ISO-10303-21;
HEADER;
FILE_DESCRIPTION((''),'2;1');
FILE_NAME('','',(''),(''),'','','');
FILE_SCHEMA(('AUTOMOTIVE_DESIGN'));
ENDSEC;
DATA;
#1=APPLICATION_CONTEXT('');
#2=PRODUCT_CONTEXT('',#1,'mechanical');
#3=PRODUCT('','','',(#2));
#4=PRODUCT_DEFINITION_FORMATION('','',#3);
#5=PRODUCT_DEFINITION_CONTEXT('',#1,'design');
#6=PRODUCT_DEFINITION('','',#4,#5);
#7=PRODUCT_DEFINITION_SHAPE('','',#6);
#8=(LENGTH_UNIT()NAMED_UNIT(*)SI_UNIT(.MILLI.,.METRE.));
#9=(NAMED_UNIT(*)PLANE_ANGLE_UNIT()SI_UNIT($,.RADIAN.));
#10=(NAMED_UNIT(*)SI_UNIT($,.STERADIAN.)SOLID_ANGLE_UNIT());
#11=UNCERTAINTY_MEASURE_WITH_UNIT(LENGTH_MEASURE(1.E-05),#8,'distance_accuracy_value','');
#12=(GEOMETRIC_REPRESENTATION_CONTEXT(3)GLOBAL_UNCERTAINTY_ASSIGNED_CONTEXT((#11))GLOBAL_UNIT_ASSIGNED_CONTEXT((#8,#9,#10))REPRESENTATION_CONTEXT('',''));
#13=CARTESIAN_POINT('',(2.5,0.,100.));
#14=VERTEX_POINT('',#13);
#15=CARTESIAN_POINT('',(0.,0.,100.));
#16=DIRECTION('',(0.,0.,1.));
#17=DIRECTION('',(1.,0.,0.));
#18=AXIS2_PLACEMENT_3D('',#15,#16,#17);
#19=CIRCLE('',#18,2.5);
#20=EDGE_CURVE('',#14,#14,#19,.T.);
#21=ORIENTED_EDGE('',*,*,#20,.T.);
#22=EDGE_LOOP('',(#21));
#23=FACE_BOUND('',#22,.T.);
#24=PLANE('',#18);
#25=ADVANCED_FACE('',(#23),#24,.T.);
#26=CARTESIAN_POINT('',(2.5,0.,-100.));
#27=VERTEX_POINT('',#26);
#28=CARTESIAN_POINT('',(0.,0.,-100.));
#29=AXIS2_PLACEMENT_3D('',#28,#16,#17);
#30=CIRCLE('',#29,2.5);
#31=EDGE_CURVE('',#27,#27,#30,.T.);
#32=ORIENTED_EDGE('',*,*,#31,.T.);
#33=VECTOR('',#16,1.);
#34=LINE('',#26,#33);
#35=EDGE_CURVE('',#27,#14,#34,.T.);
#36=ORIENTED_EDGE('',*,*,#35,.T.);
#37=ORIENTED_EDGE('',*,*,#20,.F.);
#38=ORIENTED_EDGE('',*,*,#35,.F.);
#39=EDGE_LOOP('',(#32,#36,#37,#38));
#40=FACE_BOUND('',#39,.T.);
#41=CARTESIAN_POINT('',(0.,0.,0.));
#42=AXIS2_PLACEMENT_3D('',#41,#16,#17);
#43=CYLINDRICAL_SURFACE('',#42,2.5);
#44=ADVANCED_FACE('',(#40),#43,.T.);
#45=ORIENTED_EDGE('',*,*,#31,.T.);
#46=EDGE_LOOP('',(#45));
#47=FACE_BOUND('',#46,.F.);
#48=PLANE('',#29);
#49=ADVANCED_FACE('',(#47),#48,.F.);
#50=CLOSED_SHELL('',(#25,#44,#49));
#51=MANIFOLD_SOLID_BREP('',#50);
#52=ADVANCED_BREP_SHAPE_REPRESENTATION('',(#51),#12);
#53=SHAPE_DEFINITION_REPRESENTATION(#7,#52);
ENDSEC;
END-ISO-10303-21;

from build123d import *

# Parameters (mm, degrees)
CROQUIS1_R              = 2.5
SALIENTE_EXTRUIR1_DEPTH = 100


with BuildPart() as part:
    # Croquis1 → Saliente-Extruir1 (new body, symmetric)
    with BuildSketch(Plane.XY):
        Circle(CROQUIS1_R)
    extrude(amount=SALIENTE_EXTRUIR1_DEPTH, both=True)


solid = part.part
